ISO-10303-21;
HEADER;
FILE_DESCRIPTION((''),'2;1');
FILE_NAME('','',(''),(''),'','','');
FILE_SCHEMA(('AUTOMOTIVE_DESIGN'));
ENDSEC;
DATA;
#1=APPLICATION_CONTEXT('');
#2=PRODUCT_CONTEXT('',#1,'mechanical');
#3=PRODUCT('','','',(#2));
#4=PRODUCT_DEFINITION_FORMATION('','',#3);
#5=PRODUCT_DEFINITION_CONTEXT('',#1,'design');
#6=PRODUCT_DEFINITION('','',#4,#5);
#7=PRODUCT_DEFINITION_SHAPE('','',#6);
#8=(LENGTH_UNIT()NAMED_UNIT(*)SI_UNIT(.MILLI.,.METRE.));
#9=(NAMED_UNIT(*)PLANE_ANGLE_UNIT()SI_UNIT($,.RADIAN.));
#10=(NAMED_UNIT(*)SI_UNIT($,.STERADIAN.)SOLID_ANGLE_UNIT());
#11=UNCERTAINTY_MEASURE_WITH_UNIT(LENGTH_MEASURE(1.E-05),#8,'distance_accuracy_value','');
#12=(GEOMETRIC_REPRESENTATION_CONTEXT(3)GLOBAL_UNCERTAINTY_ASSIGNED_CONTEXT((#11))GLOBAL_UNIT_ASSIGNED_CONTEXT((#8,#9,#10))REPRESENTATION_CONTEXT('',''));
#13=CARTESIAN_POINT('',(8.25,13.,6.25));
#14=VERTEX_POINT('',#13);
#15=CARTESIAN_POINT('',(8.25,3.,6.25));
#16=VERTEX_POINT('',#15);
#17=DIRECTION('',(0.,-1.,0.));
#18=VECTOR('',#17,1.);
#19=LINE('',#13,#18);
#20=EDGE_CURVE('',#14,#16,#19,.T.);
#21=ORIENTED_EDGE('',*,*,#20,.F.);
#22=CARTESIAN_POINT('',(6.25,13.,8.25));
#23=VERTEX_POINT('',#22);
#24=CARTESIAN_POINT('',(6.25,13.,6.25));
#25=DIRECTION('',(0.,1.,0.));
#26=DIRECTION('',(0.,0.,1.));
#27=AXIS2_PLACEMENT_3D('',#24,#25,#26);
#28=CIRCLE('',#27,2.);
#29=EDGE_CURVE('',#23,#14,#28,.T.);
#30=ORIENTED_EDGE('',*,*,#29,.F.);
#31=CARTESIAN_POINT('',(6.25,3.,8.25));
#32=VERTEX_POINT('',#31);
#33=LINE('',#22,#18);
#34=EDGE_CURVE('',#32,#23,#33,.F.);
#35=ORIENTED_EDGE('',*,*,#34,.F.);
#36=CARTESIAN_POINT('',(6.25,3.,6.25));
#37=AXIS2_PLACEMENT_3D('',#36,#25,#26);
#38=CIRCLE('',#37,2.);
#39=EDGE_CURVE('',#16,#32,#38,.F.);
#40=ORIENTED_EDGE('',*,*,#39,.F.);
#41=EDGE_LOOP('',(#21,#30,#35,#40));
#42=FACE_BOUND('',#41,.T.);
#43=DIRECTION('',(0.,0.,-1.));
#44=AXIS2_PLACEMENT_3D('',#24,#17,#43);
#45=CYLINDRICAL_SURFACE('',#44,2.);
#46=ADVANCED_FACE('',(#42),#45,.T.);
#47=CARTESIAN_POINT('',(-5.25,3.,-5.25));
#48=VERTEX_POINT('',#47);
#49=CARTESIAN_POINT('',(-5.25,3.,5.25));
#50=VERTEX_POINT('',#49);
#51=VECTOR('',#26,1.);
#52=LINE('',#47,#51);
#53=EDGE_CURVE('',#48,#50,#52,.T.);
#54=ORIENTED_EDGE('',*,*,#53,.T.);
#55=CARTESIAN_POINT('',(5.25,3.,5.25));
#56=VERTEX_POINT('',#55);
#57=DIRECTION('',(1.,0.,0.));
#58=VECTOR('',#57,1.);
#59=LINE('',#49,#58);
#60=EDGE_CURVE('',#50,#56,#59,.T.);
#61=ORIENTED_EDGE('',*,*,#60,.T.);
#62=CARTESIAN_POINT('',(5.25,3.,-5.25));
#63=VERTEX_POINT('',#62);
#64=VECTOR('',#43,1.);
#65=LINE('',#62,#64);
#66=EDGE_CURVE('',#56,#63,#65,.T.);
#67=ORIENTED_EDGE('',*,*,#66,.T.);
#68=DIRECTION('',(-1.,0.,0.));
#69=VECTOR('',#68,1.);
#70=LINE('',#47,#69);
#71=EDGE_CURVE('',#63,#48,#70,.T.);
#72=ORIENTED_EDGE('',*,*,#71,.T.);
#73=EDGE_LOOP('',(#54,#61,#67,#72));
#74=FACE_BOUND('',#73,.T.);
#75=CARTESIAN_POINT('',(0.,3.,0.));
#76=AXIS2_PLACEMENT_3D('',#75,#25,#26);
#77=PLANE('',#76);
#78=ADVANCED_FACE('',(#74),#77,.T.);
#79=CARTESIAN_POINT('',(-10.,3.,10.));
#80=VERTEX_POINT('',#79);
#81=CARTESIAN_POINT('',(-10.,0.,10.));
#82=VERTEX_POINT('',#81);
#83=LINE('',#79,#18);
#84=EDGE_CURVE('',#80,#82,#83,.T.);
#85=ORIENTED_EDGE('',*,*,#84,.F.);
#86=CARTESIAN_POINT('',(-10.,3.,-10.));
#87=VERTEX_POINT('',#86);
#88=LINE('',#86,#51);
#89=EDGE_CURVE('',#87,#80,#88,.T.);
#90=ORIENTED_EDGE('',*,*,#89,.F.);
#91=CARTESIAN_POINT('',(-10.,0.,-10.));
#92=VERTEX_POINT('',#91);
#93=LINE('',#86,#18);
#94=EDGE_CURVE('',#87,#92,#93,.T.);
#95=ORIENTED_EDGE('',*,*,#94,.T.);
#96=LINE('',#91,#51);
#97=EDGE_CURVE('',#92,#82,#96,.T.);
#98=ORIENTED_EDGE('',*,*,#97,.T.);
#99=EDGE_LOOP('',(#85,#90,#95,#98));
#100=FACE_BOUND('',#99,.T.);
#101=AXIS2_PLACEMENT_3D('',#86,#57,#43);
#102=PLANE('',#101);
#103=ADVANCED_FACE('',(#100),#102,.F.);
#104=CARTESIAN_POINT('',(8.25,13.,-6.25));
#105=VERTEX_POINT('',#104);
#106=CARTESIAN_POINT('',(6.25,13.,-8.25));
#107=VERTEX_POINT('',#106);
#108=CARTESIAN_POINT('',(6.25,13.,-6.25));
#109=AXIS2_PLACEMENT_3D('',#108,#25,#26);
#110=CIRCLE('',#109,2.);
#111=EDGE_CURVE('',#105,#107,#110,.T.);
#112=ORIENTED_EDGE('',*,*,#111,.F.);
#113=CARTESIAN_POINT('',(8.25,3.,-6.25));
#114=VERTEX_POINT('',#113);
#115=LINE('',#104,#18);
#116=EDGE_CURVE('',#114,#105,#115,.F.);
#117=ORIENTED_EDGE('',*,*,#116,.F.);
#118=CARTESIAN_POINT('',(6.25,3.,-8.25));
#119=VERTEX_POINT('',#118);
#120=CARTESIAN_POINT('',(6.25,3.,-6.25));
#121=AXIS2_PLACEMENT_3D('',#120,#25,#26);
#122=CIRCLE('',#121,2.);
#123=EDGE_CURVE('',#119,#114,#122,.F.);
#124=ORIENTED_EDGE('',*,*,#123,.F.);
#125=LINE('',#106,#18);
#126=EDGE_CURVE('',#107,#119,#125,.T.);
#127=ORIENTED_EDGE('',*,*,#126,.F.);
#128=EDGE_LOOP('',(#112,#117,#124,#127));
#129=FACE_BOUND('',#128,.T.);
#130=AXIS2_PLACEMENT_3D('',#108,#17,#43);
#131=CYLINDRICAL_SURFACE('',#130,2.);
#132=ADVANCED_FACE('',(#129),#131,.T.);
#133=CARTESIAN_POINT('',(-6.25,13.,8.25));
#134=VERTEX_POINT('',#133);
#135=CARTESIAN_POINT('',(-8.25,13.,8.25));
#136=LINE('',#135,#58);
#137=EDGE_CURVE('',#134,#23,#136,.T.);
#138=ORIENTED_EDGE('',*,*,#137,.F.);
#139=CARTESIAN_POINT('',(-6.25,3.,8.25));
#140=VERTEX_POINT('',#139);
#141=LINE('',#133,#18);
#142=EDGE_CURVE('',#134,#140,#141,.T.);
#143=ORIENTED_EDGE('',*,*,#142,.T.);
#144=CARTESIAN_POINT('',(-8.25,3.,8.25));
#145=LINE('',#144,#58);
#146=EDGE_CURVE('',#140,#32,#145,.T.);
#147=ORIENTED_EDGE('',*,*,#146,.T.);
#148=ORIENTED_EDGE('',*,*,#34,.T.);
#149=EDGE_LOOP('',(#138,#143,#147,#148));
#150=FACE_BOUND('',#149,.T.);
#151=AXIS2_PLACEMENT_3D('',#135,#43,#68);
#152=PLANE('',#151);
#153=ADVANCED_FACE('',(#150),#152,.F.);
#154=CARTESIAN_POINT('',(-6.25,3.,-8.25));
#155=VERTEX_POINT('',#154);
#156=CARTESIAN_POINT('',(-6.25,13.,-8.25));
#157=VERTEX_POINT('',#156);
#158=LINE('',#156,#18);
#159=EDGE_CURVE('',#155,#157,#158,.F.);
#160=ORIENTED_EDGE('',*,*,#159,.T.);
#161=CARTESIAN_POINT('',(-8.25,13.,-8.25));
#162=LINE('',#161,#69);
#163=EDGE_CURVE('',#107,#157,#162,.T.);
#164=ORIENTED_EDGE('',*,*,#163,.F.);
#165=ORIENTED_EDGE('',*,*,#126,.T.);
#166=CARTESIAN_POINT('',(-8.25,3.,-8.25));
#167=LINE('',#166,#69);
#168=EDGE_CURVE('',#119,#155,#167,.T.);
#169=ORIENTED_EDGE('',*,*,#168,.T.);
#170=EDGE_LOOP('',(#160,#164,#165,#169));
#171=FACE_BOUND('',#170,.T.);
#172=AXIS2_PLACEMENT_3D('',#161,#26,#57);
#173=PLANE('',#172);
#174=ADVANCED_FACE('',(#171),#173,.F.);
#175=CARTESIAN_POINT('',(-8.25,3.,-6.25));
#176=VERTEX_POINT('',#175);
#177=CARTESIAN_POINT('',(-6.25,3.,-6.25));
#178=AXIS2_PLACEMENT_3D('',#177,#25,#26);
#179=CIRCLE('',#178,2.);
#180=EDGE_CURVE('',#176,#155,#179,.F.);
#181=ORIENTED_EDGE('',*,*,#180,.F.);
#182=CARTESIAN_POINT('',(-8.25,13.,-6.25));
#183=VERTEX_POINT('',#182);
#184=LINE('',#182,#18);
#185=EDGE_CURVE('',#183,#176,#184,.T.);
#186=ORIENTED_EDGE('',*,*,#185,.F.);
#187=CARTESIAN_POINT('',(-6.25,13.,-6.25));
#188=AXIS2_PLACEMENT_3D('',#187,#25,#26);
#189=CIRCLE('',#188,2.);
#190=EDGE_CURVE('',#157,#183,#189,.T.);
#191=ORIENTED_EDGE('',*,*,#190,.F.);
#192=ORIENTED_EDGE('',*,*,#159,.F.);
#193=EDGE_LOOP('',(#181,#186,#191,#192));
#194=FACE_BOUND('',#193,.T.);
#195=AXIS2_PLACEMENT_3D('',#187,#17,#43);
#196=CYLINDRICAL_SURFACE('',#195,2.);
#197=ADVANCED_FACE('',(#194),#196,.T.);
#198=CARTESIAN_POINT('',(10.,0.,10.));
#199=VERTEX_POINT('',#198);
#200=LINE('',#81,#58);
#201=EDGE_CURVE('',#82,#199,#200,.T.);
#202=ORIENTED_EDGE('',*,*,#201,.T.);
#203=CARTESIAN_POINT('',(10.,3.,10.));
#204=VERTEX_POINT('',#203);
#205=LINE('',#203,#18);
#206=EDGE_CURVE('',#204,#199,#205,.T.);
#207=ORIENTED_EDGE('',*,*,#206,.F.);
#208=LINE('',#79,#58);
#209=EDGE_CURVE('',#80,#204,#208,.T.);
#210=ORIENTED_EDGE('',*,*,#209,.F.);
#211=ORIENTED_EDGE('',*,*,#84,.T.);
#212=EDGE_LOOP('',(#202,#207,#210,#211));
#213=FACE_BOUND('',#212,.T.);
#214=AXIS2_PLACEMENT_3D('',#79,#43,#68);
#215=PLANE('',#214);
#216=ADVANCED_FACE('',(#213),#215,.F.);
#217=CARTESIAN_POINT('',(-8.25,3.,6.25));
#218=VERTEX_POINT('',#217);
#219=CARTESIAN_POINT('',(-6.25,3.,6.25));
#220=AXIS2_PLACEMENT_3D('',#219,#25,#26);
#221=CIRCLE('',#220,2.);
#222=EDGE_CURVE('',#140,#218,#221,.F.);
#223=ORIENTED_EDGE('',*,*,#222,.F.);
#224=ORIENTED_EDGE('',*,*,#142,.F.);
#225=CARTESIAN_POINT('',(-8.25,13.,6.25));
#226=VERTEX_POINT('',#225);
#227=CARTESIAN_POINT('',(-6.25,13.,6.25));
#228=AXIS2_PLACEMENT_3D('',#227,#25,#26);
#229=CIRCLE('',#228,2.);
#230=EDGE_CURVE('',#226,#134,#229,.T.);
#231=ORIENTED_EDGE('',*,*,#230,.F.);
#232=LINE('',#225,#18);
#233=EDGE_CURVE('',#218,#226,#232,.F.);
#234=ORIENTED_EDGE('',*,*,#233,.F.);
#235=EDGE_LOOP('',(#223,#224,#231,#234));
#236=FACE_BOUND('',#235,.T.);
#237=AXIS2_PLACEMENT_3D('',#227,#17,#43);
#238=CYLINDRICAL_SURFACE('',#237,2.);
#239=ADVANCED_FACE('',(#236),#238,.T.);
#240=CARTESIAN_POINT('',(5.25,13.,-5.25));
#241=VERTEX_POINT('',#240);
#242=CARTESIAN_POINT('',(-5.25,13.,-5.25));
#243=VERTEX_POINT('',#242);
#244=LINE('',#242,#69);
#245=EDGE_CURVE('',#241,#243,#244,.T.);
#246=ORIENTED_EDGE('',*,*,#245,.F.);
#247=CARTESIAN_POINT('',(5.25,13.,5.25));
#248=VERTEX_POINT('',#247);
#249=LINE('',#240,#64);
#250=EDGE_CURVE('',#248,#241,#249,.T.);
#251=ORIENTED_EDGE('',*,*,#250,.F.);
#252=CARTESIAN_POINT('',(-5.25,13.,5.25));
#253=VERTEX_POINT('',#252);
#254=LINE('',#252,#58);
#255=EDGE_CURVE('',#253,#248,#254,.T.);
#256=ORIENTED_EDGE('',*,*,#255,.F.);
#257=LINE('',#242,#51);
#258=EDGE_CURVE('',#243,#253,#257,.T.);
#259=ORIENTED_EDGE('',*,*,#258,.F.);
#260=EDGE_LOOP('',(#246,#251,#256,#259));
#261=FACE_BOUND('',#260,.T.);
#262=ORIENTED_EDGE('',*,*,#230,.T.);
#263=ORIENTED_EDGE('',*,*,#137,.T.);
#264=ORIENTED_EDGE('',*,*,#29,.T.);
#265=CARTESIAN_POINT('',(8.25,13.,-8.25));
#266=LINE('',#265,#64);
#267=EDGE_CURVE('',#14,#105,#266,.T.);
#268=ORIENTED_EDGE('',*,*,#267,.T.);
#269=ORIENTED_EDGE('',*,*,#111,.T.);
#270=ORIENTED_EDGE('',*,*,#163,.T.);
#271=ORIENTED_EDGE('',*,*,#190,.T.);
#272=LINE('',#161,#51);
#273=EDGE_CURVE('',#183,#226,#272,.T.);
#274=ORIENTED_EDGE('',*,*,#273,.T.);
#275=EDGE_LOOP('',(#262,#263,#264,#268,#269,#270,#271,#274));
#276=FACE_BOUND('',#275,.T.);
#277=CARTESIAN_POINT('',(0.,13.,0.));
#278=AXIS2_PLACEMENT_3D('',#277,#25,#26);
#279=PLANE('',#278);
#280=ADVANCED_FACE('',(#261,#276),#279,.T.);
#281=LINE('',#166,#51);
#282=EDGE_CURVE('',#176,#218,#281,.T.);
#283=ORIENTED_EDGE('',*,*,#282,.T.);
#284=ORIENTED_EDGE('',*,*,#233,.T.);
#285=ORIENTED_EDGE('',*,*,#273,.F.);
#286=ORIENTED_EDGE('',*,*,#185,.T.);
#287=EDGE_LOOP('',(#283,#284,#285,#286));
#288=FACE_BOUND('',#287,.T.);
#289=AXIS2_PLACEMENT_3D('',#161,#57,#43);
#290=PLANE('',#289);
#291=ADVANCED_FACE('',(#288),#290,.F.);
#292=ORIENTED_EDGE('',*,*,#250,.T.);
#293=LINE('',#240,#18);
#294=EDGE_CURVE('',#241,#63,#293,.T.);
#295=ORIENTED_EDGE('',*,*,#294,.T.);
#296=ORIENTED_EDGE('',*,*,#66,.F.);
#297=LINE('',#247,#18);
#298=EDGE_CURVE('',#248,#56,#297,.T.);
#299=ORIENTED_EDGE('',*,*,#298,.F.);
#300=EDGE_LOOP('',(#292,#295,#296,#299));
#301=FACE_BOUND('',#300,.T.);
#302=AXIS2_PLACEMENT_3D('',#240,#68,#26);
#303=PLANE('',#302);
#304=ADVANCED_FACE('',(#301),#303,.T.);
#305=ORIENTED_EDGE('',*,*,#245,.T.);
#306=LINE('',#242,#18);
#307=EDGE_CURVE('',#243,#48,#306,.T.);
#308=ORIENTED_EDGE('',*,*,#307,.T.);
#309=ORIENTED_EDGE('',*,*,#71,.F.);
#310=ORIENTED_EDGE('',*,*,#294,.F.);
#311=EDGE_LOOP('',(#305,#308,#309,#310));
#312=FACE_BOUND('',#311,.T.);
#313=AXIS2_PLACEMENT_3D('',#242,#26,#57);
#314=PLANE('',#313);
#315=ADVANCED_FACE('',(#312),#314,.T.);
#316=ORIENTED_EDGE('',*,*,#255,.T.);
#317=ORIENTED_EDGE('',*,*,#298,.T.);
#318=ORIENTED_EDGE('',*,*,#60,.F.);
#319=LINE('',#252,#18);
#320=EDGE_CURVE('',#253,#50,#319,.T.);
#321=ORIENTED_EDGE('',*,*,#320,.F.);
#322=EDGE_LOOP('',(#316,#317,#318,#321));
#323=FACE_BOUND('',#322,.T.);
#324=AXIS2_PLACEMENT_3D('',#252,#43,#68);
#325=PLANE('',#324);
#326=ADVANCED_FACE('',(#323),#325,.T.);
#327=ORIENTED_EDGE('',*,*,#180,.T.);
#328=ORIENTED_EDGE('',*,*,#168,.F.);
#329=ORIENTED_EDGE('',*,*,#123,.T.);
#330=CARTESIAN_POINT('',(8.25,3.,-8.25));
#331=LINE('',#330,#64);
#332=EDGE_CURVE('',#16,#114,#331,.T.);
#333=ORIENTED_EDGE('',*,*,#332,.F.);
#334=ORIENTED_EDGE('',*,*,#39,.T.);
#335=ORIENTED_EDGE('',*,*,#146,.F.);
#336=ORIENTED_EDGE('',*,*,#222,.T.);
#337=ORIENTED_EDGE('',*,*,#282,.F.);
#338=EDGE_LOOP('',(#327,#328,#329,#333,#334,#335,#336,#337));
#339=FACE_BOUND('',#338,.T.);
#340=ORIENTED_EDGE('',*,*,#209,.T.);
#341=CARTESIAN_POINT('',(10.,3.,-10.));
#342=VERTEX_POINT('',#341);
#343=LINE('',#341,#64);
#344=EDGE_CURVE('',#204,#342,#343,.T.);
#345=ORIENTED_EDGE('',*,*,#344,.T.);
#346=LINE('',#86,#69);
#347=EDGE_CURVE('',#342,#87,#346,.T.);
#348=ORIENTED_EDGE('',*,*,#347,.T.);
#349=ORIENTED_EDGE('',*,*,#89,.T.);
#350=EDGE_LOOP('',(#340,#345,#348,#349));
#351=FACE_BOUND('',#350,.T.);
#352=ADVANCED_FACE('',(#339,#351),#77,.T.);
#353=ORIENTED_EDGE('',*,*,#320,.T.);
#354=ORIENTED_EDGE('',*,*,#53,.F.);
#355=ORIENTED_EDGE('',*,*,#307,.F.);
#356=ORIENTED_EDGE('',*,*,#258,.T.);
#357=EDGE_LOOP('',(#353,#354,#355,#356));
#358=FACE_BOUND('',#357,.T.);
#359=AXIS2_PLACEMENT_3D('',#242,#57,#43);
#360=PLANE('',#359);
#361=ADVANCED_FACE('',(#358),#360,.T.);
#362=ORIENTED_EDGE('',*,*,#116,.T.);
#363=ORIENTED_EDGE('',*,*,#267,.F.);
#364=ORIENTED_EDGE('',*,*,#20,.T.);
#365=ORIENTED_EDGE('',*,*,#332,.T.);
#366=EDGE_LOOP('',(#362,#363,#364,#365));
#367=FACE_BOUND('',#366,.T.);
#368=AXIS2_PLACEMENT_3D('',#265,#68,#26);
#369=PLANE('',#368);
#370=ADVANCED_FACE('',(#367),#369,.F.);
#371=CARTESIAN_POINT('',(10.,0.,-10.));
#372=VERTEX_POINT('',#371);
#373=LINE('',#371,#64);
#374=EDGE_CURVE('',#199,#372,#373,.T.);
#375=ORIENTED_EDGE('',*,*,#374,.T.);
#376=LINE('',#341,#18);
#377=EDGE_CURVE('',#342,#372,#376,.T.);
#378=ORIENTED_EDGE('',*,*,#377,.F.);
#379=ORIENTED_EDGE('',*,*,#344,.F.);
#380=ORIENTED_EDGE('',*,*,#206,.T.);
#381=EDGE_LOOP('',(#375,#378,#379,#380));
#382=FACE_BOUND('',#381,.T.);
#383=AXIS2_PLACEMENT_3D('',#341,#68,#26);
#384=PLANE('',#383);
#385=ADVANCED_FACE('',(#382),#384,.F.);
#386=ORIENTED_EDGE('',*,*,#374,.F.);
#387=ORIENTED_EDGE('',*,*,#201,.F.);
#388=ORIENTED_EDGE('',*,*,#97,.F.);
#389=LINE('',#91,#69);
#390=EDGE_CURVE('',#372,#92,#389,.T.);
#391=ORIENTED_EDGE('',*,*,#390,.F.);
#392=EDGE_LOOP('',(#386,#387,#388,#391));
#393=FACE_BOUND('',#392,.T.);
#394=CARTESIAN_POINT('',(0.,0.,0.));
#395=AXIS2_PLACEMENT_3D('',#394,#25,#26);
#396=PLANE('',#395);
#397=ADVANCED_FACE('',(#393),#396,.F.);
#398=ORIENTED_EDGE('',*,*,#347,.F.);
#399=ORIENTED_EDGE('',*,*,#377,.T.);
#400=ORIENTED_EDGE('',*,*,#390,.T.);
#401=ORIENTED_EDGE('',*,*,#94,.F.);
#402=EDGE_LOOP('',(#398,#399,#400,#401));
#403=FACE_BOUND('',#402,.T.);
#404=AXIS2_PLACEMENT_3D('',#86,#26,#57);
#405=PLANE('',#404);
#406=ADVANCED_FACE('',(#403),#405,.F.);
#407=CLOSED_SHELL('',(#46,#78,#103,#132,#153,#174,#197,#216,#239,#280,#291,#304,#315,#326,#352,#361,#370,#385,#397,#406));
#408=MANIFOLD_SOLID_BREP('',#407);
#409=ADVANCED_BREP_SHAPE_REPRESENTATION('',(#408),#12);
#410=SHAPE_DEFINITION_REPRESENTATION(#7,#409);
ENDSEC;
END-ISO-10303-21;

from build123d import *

# Parameters (mm, degrees)
SKETCH1_W           = 20
SKETCH1_H           = 20
BOSS_EXTRUDE1_DEPTH = 3
SKETCH2_W           = 16.5
SKETCH2_H           = 16.5
SKETCH2_W_2         = 10.5
SKETCH2_H_2         = 10.5
BOSS_EXTRUDE2_DEPTH = 10
FILLET1_R           = 2


with BuildPart() as part:
    # Sketch1 → Boss-Extrude1 (new body)
    with BuildSketch(Plane(origin=(0, 0, 0), x_dir=(1, 0, 0), z_dir=(0, 1, 0))):
        Rectangle(SKETCH1_W, SKETCH1_H)
    extrude(amount=BOSS_EXTRUDE1_DEPTH)

    # Sketch2 → Boss-Extrude2 (add)
    with BuildSketch(Plane(origin=(0, 3, 0), x_dir=(1, 0, 0), z_dir=(0, 1, 0))):
        Rectangle(SKETCH2_W, SKETCH2_H)
        Rectangle(SKETCH2_W_2, SKETCH2_H_2, mode=Mode.SUBTRACT)
    extrude(amount=BOSS_EXTRUDE2_DEPTH)

    # Fillet1
    fillet1_edges = [part.edges().sort_by_distance(p)[0] for p in [
        (8.25, 8, 8.25),
        (8.25, 8, -8.25),
        (-8.25, 8, -8.25),
        (-8.25, 8, 8.25),
    ]]
    fillet(fillet1_edges, radius=FILLET1_R)


solid = part.part
